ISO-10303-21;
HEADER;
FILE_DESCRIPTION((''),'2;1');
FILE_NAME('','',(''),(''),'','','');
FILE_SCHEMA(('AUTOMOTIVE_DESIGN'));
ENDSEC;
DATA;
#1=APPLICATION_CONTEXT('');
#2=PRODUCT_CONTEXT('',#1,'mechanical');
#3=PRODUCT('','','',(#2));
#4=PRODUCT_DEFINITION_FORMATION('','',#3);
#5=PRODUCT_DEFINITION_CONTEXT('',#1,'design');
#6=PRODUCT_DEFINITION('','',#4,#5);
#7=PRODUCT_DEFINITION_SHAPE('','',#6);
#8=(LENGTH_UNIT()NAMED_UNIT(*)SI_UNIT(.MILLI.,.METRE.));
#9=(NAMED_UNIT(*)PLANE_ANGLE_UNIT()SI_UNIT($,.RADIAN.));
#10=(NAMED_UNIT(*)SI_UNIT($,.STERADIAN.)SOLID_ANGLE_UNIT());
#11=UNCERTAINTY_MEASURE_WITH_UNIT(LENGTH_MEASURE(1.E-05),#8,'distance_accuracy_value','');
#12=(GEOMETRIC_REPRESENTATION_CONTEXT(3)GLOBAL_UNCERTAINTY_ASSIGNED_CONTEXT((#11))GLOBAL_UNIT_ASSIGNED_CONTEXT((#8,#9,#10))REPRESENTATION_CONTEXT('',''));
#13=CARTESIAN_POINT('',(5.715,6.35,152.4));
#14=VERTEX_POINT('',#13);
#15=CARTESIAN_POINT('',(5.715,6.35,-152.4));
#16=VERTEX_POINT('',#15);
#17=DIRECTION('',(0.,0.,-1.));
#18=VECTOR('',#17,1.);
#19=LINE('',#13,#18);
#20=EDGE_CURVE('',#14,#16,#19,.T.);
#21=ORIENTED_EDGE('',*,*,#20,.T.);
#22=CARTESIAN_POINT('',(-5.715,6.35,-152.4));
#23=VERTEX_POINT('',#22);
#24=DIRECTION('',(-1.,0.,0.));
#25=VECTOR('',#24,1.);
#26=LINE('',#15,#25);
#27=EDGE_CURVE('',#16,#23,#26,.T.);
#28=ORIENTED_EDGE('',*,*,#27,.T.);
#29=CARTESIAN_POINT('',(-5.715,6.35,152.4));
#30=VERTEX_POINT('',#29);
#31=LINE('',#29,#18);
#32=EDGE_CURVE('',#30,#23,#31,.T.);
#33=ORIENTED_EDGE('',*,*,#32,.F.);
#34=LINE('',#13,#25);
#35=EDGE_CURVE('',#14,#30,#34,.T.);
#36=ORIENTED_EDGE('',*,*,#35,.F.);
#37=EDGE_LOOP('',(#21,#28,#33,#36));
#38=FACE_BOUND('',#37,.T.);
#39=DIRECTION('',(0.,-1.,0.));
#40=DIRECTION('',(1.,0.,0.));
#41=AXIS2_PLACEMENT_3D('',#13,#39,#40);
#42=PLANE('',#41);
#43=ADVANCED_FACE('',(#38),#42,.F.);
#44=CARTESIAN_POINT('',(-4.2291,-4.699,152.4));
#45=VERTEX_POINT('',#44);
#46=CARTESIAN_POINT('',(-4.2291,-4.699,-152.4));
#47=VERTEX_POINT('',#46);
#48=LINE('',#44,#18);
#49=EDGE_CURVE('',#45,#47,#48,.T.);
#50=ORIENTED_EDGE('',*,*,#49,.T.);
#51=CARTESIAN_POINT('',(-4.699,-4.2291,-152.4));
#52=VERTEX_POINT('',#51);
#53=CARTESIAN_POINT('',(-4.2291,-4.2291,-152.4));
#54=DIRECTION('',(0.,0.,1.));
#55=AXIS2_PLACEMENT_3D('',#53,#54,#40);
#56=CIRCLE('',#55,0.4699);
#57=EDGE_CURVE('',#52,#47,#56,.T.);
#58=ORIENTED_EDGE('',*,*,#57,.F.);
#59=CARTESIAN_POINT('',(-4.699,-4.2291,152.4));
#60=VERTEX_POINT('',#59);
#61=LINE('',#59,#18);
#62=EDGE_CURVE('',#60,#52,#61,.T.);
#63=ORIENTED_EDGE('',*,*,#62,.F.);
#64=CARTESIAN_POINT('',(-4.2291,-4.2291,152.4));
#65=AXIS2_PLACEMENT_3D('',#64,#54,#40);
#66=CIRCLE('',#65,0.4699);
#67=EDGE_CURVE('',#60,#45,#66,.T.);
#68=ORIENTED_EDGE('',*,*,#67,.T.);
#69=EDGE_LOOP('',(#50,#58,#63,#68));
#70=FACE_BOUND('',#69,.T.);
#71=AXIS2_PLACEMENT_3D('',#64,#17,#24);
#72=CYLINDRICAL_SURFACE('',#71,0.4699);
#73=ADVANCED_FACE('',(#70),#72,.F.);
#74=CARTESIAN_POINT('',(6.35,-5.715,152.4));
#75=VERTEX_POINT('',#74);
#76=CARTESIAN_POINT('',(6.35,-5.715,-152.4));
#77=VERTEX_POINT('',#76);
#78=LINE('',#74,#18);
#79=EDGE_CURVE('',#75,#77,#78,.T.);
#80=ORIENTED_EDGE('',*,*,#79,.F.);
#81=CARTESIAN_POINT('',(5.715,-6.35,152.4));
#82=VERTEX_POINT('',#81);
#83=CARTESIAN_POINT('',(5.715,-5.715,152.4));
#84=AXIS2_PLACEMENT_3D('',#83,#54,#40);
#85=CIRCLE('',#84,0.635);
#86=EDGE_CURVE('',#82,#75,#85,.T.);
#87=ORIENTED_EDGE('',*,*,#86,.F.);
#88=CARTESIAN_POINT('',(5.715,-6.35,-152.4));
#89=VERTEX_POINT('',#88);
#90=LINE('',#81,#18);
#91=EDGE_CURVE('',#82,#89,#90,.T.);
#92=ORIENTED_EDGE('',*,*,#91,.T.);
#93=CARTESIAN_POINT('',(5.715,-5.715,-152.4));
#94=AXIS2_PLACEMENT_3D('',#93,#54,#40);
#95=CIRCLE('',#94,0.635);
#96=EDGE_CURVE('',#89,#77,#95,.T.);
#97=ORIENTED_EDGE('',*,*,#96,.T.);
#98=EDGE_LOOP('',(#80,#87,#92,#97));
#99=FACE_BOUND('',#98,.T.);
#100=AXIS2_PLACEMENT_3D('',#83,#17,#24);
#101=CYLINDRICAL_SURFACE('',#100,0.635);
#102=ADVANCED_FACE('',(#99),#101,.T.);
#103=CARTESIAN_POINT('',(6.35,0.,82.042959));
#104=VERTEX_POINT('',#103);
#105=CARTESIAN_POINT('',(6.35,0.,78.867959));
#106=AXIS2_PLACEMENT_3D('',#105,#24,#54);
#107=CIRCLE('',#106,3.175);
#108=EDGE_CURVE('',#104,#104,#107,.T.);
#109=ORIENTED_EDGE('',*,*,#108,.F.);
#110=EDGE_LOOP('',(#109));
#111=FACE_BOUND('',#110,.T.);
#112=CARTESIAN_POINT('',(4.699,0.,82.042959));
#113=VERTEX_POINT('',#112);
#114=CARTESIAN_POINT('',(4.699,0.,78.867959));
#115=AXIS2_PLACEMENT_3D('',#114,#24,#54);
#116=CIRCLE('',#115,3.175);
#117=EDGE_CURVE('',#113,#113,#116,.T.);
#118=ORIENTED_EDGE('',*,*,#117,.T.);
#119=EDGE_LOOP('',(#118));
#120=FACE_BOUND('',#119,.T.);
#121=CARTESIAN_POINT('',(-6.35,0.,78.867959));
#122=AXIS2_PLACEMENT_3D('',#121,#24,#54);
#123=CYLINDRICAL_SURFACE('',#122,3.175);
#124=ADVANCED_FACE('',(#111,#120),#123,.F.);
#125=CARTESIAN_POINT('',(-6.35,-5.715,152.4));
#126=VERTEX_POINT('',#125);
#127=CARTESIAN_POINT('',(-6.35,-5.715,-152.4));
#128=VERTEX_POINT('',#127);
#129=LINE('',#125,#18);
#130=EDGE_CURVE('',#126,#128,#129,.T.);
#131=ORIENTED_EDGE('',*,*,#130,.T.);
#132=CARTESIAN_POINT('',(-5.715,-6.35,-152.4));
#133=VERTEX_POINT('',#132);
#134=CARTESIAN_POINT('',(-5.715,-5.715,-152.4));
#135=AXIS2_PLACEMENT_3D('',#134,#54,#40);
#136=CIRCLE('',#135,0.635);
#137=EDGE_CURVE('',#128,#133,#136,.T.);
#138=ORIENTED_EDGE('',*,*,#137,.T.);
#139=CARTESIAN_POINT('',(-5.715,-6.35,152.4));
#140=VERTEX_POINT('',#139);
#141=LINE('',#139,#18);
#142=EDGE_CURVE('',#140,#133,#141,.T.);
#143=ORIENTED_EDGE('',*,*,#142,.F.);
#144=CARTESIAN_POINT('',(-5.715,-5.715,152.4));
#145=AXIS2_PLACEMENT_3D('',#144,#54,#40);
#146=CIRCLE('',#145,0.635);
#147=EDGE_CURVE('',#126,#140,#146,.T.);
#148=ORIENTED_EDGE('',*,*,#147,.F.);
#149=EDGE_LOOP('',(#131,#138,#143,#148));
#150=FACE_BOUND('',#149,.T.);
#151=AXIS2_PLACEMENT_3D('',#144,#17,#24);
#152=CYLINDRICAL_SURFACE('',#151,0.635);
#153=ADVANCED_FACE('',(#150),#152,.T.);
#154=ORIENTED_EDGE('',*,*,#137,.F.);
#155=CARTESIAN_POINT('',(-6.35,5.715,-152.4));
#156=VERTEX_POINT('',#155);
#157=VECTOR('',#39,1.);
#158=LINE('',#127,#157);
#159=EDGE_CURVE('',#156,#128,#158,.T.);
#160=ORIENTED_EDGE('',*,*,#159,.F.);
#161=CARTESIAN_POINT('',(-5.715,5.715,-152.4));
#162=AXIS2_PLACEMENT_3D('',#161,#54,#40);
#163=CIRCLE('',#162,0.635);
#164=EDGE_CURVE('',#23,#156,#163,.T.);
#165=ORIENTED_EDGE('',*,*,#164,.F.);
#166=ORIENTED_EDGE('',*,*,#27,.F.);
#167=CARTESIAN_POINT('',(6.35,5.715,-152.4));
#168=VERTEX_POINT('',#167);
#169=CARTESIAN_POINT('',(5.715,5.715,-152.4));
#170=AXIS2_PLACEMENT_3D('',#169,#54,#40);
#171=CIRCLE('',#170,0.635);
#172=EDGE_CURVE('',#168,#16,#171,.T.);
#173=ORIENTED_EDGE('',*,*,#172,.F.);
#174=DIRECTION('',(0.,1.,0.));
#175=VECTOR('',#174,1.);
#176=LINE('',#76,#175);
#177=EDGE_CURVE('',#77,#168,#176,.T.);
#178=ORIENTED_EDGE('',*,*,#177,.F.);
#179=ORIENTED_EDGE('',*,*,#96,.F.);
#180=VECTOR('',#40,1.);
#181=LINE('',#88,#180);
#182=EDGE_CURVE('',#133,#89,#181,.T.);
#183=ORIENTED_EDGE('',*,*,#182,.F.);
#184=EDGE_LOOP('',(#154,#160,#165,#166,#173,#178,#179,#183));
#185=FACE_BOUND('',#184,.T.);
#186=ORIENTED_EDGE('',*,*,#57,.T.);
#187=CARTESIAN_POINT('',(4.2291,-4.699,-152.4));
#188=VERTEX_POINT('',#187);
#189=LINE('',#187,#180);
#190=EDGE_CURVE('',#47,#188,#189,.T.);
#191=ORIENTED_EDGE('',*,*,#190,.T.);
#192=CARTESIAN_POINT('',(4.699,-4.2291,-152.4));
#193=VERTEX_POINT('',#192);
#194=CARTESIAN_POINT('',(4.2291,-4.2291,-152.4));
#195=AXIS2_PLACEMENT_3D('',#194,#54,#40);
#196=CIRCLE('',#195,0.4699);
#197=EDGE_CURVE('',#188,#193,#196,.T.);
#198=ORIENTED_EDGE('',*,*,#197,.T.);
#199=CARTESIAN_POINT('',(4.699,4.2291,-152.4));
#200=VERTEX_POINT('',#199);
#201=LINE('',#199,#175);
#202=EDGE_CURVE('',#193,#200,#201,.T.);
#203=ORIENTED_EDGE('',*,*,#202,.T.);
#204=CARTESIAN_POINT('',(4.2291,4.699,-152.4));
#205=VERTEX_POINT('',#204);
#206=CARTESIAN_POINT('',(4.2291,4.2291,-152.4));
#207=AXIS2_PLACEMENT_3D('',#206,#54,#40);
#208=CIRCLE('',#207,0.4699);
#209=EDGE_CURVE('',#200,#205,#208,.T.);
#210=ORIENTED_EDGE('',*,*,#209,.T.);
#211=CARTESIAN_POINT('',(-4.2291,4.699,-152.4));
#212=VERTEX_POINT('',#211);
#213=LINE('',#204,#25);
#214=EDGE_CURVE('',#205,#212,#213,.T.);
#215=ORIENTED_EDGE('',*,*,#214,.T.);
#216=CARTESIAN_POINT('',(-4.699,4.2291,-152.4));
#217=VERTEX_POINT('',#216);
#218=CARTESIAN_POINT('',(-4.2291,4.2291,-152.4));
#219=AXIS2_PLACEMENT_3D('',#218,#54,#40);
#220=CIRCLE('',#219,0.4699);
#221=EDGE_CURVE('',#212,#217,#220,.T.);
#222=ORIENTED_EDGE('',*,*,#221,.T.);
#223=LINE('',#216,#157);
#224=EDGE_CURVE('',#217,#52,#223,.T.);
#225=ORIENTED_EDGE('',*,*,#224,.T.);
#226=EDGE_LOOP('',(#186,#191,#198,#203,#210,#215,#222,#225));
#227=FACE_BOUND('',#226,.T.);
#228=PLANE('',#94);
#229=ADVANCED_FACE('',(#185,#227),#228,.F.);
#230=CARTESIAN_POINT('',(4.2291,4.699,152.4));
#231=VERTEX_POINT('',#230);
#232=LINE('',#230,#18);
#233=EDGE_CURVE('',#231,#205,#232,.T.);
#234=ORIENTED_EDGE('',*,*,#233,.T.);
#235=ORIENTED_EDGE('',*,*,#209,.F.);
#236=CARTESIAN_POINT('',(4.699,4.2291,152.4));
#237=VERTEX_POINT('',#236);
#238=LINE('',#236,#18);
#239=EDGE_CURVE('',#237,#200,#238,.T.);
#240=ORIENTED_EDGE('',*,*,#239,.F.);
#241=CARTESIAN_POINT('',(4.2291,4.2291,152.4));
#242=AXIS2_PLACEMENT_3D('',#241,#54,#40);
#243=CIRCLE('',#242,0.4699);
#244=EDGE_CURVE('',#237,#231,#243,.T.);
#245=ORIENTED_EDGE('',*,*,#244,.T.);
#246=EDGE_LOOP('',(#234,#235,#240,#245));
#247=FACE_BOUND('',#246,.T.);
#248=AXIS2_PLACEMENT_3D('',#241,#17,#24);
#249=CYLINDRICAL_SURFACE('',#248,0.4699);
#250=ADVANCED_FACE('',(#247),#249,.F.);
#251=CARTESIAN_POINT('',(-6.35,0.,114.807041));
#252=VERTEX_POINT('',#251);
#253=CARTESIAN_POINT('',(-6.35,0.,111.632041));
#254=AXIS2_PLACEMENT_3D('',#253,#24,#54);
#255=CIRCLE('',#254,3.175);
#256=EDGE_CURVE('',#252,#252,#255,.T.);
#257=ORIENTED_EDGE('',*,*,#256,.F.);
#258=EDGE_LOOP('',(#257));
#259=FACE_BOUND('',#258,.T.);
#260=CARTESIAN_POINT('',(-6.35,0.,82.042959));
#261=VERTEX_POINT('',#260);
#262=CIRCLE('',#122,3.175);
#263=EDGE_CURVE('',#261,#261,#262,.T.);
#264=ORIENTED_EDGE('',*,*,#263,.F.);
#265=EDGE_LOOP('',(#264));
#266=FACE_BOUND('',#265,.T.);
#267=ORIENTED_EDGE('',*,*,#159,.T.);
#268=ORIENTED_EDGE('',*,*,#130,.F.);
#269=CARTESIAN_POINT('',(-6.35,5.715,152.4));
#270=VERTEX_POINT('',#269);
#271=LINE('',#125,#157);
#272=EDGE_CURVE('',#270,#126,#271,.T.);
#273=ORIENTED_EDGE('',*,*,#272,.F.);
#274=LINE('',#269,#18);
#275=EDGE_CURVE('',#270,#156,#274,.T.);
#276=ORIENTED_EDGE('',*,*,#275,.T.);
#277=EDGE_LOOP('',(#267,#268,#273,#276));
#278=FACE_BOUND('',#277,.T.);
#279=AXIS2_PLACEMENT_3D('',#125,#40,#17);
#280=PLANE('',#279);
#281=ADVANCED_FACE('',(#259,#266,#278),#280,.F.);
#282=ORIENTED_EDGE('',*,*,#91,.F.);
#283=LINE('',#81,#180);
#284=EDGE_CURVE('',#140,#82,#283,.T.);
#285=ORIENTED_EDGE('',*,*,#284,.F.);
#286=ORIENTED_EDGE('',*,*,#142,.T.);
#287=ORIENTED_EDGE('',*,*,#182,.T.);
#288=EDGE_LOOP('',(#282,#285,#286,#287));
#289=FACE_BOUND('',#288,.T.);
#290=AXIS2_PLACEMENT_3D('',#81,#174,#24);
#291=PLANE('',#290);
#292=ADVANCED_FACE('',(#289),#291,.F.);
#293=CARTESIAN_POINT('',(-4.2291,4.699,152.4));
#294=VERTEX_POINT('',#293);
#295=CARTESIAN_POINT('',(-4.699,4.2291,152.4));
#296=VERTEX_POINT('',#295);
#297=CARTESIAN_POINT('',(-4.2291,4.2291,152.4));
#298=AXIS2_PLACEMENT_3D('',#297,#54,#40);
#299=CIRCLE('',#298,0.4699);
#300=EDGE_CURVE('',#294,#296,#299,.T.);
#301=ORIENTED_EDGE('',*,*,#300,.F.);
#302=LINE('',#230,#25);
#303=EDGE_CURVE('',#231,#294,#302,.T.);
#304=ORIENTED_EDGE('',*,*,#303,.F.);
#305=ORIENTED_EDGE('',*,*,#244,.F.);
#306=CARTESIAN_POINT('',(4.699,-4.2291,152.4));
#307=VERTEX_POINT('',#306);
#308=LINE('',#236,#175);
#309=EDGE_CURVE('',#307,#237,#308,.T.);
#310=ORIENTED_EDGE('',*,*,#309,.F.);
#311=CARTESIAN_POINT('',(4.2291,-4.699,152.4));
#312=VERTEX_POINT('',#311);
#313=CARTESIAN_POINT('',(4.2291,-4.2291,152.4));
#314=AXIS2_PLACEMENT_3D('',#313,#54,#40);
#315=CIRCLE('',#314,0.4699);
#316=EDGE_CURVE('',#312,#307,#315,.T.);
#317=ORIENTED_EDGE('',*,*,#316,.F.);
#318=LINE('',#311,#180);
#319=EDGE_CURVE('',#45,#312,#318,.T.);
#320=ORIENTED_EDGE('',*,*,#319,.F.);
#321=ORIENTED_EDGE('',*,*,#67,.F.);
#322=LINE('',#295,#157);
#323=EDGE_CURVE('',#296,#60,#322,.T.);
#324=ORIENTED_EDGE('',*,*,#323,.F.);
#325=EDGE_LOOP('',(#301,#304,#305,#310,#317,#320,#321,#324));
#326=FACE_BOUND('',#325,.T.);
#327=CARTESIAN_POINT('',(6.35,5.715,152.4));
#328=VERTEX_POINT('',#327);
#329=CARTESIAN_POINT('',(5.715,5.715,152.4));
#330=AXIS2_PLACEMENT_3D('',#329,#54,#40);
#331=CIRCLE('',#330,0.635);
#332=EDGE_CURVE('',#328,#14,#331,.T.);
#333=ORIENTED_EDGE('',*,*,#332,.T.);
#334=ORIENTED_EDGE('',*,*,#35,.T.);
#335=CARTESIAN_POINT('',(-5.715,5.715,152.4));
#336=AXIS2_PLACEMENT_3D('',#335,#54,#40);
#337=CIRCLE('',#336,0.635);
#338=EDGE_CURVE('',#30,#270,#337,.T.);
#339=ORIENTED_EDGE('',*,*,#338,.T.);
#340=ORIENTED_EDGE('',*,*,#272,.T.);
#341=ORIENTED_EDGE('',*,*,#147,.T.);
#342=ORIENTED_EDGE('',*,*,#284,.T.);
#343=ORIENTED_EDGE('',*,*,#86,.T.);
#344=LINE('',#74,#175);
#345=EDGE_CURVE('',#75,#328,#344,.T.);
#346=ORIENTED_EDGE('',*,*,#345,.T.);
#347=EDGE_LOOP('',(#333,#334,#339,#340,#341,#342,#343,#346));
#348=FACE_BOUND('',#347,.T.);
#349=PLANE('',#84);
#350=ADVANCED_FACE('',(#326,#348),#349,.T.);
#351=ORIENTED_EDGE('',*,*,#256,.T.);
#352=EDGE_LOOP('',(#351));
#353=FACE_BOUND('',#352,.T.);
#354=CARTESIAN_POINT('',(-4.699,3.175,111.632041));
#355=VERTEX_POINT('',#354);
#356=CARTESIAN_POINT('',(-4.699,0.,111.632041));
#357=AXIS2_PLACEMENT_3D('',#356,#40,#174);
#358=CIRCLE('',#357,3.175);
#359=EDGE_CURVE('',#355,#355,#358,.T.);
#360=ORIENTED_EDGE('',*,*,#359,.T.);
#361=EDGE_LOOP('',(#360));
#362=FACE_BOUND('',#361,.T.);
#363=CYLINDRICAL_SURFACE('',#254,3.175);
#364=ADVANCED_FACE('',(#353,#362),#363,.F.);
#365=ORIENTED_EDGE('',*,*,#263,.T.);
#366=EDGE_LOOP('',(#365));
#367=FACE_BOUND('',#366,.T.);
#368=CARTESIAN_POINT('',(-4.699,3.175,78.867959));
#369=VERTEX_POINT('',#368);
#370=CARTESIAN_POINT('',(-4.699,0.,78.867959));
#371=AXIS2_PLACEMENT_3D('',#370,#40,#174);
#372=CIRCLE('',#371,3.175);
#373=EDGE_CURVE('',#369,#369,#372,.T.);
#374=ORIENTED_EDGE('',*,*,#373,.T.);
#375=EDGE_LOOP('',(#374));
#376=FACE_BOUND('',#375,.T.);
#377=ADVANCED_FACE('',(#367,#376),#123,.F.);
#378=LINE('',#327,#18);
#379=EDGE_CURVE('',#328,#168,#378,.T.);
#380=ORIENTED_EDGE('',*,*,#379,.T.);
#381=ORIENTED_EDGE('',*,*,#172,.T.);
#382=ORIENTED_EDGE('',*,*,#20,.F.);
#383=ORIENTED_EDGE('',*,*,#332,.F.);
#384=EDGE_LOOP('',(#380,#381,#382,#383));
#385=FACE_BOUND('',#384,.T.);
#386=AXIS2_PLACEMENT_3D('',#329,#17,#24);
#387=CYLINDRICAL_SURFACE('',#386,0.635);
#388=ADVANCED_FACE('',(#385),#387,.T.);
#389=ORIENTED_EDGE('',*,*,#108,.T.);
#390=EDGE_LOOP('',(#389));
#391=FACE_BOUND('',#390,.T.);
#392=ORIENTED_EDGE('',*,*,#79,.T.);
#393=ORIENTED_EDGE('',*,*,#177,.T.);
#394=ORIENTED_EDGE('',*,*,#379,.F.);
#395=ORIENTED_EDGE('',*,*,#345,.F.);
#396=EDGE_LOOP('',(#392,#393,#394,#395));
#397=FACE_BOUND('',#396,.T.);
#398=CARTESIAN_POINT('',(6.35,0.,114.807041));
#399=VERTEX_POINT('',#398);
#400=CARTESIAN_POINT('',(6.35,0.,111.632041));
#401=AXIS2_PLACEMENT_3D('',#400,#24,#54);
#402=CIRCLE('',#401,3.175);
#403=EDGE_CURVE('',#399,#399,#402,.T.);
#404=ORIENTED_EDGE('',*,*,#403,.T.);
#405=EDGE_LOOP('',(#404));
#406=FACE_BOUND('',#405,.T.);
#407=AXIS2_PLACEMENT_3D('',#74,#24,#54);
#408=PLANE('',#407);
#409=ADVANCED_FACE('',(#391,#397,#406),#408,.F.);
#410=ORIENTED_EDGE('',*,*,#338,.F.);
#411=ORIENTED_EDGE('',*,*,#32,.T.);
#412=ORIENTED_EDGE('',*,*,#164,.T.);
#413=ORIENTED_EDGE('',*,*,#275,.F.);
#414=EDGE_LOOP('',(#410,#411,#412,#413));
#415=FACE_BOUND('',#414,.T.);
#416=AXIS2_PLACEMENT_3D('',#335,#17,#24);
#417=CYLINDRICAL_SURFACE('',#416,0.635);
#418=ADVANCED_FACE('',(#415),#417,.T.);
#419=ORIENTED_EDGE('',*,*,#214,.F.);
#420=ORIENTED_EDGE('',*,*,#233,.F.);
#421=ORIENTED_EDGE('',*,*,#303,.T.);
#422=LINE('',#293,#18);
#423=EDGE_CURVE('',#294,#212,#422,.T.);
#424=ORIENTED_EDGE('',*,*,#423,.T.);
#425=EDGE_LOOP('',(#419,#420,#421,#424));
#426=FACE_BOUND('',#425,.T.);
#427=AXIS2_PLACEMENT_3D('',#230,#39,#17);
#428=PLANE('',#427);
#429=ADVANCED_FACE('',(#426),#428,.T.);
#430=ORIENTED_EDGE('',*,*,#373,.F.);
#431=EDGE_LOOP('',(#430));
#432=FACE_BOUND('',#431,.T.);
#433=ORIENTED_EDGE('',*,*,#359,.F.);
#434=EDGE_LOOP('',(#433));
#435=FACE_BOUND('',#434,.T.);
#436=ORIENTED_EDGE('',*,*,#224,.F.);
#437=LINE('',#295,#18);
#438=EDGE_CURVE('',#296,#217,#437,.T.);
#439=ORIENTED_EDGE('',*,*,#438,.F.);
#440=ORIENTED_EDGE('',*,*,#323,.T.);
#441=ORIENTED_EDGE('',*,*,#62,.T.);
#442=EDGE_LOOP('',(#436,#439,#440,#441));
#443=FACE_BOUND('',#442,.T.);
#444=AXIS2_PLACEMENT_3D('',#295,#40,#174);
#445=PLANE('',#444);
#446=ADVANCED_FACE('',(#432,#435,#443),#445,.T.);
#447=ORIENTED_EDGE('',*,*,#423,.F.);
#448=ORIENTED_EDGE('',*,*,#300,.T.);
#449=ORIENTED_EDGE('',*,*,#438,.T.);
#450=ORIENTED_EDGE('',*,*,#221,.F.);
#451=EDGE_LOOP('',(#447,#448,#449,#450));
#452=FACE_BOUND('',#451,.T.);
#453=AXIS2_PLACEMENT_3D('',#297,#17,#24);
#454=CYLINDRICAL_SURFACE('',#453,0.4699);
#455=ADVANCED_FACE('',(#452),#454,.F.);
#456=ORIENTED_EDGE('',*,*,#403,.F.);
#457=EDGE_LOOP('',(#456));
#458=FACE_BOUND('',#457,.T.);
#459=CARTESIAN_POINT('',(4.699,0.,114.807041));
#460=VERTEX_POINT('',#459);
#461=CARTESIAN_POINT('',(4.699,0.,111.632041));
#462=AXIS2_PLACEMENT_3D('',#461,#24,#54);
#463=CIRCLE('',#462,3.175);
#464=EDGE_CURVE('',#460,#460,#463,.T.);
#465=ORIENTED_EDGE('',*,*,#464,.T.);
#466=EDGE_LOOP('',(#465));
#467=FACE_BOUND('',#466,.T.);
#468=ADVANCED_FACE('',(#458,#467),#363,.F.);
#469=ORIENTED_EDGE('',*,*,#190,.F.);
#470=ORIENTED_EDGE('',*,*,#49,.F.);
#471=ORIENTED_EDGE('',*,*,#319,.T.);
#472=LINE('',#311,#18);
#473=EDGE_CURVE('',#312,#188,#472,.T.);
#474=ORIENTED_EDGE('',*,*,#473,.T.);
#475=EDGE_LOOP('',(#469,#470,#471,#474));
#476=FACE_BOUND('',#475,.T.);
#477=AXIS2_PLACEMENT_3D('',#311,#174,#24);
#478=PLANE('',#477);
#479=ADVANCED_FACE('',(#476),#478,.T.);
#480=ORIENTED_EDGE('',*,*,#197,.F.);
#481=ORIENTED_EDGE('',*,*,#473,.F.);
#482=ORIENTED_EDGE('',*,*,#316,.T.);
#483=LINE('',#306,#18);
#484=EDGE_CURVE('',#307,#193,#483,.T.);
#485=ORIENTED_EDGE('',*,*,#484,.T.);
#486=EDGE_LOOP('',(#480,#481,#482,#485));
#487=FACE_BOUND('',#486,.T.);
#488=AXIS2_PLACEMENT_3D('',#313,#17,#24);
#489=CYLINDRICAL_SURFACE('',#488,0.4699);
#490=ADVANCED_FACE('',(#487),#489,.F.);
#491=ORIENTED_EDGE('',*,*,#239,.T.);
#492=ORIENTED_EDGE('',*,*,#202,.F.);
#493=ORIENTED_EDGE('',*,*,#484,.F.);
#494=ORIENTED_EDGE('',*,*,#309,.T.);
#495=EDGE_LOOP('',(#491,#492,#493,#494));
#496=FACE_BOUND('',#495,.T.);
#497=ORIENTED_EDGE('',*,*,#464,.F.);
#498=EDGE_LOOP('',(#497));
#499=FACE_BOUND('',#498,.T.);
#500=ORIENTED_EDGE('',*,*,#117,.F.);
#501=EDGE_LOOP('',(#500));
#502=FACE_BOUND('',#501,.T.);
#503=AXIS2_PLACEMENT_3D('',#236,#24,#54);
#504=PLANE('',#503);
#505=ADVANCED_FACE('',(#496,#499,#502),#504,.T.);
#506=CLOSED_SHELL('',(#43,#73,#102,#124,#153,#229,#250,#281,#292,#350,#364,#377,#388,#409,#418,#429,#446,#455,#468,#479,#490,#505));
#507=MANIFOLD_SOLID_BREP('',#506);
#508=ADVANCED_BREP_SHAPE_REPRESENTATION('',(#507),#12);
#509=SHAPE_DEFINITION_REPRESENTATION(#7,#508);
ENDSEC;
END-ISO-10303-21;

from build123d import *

# Parameters (mm, degrees)
BOSS_EXTRUDE1_DEPTH         = 152.4
BOSS_EXTRUDE1_DEPTH_BACK    = 152.4
F_1_4_0_25_DIAMETER_HOLE1_D = 6.35


with BuildPart() as part:
    # Sketch4 → Boss-Extrude1 (new, two sides: drawn at the far end of the back side and taken through both)
    with BuildSketch(Plane.XY.offset(-BOSS_EXTRUDE1_DEPTH_BACK)):
        with BuildLine():
            Line((6.35, -5.715), (6.35, 5.715))
            ThreePointArc((6.35, 5.715), (6.164012806, 6.164012806), (5.715, 6.35))
            Line((5.715, 6.35), (-5.715, 6.35))
            ThreePointArc((-5.715, 6.35), (-6.164012806, 6.164012806), (-6.35, 5.715))
            Line((-6.35, 5.715), (-6.35, -5.715))
            ThreePointArc((-6.35, -5.715), (-6.164012806, -6.164012806), (-5.715, -6.35))
            Line((-5.715, -6.35), (5.715, -6.35))
            ThreePointArc((5.715, -6.35), (6.164012806, -6.164012806), (6.35, -5.715))
        make_face()
        with BuildLine():
            Line((4.699, 4.2291), (4.699, -4.2291))
            ThreePointArc((4.699, -4.2291), (4.561369476, -4.561369476), (4.2291, -4.699))
            Line((4.2291, -4.699), (-4.2291, -4.699))
            ThreePointArc((-4.2291, -4.699), (-4.561369476, -4.561369476), (-4.699, -4.2291))
            Line((-4.699, -4.2291), (-4.699, 4.2291))
            ThreePointArc((-4.699, 4.2291), (-4.561369476, 4.561369476), (-4.2291, 4.699))
            Line((-4.2291, 4.699), (4.2291, 4.699))
            ThreePointArc((4.2291, 4.699), (4.561369476, 4.561369476), (4.699, 4.2291))
        make_face(mode=Mode.SUBTRACT)
    extrude(amount=BOSS_EXTRUDE1_DEPTH + BOSS_EXTRUDE1_DEPTH_BACK)

    # 1/4 (0.25) Diameter Hole1 (through all)
    with Locations(Plane.ZY.offset(6.35)):
        with Locations((78.867958923, 0), (111.632041077, 0)):
            Hole(F_1_4_0_25_DIAMETER_HOLE1_D / 2)


solid = part.part
